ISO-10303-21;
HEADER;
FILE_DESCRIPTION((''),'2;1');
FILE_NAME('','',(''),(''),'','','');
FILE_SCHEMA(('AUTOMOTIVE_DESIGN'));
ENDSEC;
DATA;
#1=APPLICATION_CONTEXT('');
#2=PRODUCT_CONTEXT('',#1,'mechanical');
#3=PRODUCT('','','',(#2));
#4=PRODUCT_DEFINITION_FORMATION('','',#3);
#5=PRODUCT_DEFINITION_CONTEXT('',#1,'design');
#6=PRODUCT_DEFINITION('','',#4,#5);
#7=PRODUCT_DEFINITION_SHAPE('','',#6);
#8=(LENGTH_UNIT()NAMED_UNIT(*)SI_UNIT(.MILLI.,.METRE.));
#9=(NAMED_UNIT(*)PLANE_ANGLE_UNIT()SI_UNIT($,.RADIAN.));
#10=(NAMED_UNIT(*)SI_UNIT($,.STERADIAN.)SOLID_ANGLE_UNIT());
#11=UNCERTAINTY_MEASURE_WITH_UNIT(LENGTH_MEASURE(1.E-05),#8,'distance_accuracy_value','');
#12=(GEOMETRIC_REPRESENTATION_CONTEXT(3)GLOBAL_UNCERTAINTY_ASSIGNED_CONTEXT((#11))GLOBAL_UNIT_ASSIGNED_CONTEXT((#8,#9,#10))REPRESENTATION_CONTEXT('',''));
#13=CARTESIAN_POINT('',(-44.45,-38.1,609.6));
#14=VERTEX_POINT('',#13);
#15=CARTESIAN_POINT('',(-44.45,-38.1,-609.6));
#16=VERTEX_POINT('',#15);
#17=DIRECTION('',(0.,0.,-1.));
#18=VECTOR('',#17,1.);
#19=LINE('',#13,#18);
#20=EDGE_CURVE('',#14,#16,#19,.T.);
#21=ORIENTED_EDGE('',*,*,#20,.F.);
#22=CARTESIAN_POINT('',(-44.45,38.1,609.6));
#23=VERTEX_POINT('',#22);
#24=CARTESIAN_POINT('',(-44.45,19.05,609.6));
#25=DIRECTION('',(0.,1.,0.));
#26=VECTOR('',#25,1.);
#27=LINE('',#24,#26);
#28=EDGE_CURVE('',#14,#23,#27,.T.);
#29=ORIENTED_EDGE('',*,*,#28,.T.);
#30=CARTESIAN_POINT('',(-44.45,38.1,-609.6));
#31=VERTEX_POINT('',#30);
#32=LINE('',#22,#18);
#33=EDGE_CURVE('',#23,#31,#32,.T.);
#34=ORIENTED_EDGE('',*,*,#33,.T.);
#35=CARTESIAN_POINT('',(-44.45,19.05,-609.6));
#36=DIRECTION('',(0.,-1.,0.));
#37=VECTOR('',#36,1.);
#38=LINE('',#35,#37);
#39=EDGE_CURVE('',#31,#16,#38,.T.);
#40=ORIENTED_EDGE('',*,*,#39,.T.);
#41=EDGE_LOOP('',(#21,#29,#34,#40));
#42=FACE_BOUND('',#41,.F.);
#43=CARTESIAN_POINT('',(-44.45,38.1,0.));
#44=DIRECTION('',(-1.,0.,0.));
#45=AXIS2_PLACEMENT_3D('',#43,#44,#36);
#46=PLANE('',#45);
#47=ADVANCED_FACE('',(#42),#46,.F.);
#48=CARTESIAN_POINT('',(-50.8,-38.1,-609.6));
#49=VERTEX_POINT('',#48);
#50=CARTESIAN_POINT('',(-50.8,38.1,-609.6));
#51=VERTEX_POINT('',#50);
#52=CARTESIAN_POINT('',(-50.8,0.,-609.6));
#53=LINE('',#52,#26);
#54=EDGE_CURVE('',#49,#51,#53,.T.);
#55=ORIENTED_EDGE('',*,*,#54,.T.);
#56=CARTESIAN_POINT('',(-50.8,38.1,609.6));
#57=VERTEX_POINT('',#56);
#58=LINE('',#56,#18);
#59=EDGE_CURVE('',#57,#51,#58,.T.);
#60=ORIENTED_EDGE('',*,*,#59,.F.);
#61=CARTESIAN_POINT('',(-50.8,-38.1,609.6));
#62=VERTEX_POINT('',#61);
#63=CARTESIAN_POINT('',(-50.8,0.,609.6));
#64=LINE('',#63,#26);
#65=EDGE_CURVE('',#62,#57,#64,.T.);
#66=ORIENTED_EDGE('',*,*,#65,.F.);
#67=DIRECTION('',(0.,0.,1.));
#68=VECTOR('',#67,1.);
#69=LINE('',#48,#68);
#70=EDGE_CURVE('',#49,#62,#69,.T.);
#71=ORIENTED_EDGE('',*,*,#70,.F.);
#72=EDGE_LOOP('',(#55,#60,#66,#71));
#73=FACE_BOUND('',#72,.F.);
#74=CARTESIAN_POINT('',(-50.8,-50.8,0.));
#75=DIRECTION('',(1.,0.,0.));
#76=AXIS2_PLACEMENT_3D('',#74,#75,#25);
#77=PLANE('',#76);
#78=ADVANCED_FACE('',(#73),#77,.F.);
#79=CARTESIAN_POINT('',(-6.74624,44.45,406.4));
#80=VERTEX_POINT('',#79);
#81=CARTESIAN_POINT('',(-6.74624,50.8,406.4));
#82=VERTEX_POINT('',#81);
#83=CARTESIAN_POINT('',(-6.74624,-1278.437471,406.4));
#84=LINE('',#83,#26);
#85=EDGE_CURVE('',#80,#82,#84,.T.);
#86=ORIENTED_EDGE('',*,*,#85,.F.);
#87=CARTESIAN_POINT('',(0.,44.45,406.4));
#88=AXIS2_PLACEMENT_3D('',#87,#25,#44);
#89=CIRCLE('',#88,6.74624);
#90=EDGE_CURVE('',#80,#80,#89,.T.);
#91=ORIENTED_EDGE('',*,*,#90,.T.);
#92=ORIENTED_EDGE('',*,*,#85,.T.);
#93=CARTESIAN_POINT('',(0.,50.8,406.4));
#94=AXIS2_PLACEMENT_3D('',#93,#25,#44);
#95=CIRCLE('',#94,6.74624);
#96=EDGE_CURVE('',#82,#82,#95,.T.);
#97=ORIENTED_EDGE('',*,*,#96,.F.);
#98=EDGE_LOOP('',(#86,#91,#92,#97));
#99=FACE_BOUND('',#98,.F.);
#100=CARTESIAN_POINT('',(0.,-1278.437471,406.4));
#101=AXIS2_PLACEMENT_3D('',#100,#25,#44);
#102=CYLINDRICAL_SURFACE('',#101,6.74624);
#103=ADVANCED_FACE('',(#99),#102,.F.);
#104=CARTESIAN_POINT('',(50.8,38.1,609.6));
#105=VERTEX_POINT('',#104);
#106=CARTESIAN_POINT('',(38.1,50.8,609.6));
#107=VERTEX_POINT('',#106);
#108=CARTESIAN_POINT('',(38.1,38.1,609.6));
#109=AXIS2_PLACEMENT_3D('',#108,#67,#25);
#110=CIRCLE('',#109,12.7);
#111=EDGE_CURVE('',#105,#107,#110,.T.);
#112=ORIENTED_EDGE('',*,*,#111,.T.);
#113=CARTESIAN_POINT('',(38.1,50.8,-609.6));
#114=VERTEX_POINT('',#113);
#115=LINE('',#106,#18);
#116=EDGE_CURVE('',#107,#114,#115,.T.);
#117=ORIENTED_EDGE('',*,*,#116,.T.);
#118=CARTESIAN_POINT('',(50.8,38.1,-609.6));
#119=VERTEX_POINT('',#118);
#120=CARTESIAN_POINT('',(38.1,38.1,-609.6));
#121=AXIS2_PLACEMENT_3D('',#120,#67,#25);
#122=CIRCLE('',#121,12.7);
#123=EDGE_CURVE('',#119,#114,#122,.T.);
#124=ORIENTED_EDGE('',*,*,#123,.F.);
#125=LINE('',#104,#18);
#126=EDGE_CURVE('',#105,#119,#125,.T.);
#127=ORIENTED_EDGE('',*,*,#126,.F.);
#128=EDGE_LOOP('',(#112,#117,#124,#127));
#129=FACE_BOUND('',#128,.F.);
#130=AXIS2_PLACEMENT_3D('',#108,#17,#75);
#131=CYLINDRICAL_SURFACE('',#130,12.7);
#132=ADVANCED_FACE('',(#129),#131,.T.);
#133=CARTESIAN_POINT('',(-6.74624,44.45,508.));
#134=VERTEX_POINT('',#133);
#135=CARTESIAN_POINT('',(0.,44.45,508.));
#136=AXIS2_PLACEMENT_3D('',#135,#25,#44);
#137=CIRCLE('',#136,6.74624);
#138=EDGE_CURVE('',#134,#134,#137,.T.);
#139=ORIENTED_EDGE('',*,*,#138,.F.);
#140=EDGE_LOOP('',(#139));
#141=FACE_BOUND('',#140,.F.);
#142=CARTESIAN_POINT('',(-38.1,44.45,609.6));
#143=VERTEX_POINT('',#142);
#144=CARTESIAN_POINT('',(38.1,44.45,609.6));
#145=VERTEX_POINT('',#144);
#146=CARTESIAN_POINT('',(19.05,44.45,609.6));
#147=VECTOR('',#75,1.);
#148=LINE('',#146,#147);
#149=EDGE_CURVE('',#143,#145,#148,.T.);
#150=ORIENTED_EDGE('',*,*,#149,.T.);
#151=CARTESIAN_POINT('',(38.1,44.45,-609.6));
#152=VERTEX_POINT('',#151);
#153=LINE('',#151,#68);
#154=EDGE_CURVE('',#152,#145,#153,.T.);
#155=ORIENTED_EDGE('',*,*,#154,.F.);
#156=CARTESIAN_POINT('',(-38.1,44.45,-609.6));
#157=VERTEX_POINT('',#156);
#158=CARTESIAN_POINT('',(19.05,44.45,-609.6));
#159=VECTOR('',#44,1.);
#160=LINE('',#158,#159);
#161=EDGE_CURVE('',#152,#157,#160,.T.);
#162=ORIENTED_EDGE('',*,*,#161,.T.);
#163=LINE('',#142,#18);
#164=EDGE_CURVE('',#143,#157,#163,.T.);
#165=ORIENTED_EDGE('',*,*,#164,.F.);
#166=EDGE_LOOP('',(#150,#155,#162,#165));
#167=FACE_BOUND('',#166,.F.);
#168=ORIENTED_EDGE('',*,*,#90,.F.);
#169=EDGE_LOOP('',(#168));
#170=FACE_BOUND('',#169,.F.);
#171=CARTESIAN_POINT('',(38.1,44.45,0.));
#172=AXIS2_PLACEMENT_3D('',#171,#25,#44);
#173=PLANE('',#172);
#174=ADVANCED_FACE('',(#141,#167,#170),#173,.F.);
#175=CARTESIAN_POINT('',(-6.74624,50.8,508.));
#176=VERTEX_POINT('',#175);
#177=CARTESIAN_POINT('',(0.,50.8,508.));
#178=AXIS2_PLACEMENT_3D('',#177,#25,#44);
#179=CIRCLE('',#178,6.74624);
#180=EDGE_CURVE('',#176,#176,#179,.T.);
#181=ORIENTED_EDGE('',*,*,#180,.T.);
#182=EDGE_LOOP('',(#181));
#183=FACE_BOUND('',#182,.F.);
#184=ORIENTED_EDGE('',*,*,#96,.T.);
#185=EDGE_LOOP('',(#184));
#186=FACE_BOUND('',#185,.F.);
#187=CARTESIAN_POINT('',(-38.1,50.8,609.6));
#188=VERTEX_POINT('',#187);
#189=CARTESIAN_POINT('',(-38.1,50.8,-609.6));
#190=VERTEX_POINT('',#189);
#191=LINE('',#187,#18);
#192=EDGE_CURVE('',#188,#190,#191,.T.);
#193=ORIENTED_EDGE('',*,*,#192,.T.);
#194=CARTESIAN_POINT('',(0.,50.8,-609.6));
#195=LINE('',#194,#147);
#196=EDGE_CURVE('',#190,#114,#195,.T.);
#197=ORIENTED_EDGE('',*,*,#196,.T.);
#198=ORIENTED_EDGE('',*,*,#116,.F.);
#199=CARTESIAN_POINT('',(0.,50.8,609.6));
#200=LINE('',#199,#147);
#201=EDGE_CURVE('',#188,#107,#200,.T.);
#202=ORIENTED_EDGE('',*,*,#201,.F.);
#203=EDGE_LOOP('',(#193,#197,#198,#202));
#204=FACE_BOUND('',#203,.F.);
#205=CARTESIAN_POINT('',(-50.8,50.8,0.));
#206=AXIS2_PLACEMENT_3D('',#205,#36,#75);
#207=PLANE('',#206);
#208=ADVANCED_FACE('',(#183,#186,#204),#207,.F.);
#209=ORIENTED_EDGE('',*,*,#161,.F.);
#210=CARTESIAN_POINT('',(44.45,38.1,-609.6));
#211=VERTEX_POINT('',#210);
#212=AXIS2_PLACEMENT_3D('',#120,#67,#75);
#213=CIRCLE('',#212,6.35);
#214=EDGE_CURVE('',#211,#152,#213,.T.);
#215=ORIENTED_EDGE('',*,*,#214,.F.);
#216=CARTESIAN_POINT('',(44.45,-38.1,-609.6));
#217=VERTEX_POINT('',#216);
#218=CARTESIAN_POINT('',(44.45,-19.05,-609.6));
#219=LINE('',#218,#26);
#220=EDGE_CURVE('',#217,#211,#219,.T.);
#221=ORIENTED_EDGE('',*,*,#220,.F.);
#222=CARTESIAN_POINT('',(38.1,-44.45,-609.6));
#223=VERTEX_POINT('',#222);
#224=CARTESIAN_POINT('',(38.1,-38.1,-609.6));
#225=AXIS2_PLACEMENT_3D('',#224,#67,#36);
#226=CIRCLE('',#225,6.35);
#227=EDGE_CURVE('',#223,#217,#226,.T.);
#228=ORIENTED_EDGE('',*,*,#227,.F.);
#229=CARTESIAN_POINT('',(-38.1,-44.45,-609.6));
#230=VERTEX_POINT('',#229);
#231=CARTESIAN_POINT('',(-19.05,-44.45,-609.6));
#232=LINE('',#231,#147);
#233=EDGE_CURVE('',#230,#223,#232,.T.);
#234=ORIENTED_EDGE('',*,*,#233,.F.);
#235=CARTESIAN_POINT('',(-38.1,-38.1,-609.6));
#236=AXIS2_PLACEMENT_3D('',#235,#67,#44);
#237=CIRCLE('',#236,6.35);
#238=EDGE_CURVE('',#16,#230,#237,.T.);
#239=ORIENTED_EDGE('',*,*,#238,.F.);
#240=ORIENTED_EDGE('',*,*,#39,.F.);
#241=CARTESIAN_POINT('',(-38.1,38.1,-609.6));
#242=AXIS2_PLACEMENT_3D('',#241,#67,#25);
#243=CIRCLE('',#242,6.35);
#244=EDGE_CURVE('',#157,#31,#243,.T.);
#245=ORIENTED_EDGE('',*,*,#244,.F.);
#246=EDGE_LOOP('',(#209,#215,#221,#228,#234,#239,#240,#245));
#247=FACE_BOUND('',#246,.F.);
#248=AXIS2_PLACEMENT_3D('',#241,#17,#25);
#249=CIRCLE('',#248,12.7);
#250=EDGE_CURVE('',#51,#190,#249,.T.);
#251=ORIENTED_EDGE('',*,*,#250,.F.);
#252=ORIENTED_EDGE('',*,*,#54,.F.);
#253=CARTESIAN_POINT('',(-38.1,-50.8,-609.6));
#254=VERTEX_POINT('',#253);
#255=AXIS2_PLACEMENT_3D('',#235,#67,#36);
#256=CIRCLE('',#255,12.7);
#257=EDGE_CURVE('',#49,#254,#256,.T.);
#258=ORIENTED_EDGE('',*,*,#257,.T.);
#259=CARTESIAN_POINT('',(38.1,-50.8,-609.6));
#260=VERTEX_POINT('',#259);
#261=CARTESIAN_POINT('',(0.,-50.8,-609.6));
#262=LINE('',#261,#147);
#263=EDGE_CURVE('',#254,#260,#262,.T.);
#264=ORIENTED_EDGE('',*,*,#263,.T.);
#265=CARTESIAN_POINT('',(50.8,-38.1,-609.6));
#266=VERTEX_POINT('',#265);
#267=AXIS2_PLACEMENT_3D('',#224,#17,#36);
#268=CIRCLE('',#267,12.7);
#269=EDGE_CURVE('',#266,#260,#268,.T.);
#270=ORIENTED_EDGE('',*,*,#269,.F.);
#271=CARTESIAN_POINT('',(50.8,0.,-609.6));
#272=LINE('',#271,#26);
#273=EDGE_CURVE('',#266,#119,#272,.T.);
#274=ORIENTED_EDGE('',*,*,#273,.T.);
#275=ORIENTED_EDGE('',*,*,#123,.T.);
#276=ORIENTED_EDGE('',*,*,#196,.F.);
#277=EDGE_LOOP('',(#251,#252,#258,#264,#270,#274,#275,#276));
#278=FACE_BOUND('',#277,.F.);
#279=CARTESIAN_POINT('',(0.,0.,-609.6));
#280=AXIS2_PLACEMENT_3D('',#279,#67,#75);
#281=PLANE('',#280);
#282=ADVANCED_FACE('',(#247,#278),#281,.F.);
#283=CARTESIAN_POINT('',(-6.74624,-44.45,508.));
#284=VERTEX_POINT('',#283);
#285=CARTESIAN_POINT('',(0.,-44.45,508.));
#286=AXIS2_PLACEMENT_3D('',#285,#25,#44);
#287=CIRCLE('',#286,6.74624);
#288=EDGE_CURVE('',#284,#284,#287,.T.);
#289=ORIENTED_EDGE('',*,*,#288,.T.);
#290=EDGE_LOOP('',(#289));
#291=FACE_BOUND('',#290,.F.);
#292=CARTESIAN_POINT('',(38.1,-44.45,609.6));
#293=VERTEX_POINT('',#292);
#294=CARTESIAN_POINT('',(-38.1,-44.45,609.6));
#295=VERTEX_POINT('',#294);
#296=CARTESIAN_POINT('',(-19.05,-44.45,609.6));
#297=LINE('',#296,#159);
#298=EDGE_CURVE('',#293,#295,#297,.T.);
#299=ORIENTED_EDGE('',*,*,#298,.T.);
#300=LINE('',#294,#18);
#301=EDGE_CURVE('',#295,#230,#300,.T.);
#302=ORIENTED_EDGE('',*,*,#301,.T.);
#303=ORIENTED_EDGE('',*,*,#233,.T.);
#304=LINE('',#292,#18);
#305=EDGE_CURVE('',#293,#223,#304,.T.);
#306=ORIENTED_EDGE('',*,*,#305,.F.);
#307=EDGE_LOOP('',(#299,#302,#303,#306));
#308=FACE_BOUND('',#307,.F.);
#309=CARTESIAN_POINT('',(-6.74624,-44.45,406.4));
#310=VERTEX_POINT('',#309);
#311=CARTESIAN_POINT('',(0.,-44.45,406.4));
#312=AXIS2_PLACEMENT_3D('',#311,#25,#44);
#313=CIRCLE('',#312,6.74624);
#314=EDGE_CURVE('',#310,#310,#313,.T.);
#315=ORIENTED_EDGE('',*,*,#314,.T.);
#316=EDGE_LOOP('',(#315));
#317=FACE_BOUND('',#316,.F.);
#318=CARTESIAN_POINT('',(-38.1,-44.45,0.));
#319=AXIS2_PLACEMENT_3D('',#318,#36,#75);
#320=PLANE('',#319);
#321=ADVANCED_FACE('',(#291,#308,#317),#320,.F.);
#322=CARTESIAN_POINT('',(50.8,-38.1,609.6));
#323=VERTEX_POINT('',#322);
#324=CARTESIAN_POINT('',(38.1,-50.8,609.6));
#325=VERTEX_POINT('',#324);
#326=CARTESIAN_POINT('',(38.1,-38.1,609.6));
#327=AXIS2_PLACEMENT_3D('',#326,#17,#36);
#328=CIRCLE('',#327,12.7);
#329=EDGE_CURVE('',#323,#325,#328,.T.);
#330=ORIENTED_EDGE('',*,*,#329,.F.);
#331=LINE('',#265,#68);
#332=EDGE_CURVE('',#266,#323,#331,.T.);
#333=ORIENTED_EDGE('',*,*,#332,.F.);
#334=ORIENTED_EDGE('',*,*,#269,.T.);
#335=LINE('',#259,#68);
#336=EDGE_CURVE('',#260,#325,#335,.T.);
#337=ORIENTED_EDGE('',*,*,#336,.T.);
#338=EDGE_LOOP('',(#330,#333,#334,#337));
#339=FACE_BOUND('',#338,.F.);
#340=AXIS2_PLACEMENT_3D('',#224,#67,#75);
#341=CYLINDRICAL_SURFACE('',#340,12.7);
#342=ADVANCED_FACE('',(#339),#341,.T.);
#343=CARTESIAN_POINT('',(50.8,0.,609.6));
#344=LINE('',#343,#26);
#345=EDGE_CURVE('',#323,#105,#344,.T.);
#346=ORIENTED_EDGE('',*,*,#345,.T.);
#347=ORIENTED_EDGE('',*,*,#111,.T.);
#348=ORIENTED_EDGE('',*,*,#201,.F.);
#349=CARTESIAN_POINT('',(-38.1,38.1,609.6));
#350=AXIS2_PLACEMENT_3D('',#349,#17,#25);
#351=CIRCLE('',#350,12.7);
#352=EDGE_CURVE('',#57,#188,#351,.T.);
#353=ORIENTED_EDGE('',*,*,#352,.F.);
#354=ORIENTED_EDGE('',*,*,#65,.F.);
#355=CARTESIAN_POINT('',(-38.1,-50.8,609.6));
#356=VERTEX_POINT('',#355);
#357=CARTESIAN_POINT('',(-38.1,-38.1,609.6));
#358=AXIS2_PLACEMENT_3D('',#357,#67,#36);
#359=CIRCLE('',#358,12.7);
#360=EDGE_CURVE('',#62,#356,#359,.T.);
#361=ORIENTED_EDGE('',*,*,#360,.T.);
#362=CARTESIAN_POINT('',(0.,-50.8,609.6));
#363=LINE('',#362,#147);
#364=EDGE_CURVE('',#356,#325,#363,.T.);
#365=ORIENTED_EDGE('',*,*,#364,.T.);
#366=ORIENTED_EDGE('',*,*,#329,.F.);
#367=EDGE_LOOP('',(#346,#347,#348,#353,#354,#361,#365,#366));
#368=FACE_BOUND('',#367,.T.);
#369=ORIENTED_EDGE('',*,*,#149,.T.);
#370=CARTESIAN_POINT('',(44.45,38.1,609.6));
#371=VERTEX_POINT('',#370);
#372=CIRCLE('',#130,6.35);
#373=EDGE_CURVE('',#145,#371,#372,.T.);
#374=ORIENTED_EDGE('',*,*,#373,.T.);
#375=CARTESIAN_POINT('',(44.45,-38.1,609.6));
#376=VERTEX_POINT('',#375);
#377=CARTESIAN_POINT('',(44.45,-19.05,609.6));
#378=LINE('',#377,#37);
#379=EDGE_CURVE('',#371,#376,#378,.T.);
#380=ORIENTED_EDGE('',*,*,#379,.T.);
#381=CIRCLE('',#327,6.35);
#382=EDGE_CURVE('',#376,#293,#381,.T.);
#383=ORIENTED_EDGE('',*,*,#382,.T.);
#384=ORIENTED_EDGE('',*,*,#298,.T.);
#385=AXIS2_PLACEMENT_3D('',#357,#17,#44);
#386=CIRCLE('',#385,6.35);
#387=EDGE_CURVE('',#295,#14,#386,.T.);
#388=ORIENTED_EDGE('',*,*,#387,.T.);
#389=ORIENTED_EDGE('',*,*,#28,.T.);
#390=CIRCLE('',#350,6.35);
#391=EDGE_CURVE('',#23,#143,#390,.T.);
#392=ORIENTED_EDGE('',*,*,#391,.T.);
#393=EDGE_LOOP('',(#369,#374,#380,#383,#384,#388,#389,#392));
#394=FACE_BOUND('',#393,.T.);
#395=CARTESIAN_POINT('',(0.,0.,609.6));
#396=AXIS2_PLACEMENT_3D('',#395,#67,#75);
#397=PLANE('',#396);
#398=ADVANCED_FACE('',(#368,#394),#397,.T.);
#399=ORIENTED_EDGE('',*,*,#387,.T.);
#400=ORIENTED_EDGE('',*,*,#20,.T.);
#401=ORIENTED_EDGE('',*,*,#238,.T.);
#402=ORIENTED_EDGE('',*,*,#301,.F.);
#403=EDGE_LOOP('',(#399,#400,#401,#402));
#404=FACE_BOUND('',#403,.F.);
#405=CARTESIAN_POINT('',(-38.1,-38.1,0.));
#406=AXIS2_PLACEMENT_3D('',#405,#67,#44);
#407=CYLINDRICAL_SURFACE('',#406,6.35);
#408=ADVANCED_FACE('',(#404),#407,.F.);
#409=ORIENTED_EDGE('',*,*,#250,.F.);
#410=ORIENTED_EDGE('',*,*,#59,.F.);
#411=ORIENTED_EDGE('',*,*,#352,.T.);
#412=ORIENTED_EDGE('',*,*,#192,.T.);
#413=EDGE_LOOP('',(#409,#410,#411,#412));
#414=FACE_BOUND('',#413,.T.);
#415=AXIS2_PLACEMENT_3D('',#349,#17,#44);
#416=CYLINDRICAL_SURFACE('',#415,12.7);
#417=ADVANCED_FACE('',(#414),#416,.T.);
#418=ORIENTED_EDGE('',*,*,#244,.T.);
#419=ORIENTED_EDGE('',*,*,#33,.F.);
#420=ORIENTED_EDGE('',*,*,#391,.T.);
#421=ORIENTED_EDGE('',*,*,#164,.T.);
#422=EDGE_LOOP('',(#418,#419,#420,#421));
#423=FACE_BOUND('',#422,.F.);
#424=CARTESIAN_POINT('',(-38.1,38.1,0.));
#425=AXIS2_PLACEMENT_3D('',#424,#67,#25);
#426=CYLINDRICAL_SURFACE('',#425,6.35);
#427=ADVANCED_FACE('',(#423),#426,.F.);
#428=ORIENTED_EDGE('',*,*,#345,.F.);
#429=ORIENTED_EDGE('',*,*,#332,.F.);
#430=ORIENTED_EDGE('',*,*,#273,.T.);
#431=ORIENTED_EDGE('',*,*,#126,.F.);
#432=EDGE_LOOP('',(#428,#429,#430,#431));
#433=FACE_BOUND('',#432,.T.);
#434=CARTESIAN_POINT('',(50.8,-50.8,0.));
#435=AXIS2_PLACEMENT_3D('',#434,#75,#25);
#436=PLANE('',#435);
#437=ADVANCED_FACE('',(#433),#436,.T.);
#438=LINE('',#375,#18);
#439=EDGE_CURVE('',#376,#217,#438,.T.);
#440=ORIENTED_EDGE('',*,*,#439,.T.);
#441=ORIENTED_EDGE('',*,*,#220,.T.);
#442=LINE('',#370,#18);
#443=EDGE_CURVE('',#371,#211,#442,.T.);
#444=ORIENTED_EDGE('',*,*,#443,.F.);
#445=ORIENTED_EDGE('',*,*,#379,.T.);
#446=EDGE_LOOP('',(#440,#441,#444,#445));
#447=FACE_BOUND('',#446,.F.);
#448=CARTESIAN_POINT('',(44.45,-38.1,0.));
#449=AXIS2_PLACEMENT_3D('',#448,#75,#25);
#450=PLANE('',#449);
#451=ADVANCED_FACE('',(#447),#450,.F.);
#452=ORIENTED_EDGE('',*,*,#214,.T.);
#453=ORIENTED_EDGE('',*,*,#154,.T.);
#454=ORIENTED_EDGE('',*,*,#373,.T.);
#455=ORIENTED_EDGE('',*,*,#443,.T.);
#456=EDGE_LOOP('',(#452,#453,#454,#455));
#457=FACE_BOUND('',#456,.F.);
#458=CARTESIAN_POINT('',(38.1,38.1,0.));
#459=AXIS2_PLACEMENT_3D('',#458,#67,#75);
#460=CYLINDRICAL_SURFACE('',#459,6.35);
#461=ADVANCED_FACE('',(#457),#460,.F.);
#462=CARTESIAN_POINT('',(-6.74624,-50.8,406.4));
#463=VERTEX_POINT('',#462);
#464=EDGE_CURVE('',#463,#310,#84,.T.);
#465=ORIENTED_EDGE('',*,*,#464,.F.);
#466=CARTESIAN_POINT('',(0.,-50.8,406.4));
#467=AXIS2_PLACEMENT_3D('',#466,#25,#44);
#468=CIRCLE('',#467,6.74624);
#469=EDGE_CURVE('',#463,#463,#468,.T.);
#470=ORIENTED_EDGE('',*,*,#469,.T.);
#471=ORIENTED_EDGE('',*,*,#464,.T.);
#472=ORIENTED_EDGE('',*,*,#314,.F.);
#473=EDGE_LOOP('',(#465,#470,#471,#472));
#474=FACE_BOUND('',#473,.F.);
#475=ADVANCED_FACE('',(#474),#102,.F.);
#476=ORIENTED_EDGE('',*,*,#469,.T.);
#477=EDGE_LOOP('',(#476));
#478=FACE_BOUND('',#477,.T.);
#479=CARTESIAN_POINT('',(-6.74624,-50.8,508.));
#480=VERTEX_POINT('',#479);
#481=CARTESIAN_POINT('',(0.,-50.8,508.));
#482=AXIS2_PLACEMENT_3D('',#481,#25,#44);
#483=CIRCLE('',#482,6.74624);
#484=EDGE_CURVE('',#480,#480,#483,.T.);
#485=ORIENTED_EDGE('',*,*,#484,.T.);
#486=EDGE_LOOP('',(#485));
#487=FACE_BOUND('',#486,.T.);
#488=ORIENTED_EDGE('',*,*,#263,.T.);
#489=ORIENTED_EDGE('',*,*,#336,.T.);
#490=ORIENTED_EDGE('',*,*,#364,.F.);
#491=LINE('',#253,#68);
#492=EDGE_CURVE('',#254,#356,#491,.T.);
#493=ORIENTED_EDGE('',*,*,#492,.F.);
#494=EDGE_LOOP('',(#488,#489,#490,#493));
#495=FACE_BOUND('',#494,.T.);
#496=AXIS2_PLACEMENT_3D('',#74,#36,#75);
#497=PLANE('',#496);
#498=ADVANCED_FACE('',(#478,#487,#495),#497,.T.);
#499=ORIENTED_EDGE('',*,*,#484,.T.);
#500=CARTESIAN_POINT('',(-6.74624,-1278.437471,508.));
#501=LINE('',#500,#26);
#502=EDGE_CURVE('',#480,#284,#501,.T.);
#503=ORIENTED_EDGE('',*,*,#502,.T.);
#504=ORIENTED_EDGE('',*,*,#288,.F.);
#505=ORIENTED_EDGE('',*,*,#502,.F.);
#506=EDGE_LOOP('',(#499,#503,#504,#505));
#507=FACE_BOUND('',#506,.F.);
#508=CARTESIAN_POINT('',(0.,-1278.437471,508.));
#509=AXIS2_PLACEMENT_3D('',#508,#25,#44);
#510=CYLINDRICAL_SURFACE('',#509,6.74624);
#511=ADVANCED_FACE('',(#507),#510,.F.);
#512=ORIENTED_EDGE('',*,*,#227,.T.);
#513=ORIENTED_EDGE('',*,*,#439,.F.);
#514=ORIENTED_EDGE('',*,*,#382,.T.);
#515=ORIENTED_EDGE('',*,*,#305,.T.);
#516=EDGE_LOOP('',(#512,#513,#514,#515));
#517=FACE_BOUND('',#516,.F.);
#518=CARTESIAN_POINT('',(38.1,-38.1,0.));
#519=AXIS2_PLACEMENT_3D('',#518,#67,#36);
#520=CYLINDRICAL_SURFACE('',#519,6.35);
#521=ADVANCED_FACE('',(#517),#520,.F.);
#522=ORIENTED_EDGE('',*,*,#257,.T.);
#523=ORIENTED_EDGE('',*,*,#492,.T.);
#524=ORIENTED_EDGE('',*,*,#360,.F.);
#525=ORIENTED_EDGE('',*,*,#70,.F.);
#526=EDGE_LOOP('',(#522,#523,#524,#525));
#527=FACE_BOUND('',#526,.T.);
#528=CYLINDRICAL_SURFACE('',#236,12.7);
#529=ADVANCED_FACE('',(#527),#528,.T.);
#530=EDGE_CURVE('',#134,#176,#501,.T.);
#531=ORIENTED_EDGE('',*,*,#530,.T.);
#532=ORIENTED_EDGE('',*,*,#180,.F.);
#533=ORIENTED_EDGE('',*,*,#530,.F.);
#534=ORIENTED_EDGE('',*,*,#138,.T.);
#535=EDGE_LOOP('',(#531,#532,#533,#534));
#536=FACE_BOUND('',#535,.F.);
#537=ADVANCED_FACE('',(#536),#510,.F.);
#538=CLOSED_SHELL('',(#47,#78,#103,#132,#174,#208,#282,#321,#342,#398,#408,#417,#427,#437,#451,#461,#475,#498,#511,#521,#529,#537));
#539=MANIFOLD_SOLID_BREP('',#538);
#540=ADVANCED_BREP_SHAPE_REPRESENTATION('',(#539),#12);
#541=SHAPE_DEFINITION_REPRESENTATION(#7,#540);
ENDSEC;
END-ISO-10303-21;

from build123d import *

# Parameters (mm, degrees)
F0_W          = 101.6
F0_H          = 101.6
F1_DEPTH      = 609.6
F2_R          = 12.7
F4_DEPTH      = 609.601
F4_DEPTH_BACK = 609.601
F6_D          = 13.49248


with BuildPart() as f1:
    # F0 (on Top) → F1 (new body, symmetric)
    with BuildSketch(Plane.XY):
        Rectangle(F0_W, F0_H)
    extrude(amount=F1_DEPTH, both=True)

    # F2
    f2_edges = [f1.edges().sort_by_distance(p)[0] for p in [
        (-50.8, 50.8, 0),
        (50.8, 50.8, 0),
        (50.8, -50.8, 0),
        (-50.8, -50.8, 0),
    ]]
    fillet(f2_edges, radius=F2_R)

    # F3 (on Top) → F4 (cut, two sides)
    with BuildSketch(Plane.XY) as f4_sk:
        with BuildLine():
            Line((38.1, 44.45), (-38.1, 44.45))
            ThreePointArc((-38.1, 44.45), (-42.5901280605, 42.5901280605), (-44.45, 38.1))
            Line((-44.45, 38.1), (-44.45, -38.1))
            ThreePointArc((-44.45, -38.1), (-42.5901280605, -42.5901280605), (-38.1, -44.45))
            Line((-38.1, -44.45), (38.1, -44.45))
            ThreePointArc((38.1, -44.45), (42.5901280605, -42.5901280605), (44.45, -38.1))
            Line((44.45, -38.1), (44.45, 38.1))
            ThreePointArc((44.45, 38.1), (42.5901280605, 42.5901280605), (38.1, 44.45))
        make_face()
    extrude(amount=-F4_DEPTH, mode=Mode.SUBTRACT)
    extrude(f4_sk.sketch, amount=F4_DEPTH_BACK, mode=Mode.SUBTRACT)

    # F6 (through all)
    with Locations(Plane.XZ.offset(50.8)):
        with Locations((0, 508), (0, 406.4)):
            Hole(F6_D / 2)


solid = f1.part
